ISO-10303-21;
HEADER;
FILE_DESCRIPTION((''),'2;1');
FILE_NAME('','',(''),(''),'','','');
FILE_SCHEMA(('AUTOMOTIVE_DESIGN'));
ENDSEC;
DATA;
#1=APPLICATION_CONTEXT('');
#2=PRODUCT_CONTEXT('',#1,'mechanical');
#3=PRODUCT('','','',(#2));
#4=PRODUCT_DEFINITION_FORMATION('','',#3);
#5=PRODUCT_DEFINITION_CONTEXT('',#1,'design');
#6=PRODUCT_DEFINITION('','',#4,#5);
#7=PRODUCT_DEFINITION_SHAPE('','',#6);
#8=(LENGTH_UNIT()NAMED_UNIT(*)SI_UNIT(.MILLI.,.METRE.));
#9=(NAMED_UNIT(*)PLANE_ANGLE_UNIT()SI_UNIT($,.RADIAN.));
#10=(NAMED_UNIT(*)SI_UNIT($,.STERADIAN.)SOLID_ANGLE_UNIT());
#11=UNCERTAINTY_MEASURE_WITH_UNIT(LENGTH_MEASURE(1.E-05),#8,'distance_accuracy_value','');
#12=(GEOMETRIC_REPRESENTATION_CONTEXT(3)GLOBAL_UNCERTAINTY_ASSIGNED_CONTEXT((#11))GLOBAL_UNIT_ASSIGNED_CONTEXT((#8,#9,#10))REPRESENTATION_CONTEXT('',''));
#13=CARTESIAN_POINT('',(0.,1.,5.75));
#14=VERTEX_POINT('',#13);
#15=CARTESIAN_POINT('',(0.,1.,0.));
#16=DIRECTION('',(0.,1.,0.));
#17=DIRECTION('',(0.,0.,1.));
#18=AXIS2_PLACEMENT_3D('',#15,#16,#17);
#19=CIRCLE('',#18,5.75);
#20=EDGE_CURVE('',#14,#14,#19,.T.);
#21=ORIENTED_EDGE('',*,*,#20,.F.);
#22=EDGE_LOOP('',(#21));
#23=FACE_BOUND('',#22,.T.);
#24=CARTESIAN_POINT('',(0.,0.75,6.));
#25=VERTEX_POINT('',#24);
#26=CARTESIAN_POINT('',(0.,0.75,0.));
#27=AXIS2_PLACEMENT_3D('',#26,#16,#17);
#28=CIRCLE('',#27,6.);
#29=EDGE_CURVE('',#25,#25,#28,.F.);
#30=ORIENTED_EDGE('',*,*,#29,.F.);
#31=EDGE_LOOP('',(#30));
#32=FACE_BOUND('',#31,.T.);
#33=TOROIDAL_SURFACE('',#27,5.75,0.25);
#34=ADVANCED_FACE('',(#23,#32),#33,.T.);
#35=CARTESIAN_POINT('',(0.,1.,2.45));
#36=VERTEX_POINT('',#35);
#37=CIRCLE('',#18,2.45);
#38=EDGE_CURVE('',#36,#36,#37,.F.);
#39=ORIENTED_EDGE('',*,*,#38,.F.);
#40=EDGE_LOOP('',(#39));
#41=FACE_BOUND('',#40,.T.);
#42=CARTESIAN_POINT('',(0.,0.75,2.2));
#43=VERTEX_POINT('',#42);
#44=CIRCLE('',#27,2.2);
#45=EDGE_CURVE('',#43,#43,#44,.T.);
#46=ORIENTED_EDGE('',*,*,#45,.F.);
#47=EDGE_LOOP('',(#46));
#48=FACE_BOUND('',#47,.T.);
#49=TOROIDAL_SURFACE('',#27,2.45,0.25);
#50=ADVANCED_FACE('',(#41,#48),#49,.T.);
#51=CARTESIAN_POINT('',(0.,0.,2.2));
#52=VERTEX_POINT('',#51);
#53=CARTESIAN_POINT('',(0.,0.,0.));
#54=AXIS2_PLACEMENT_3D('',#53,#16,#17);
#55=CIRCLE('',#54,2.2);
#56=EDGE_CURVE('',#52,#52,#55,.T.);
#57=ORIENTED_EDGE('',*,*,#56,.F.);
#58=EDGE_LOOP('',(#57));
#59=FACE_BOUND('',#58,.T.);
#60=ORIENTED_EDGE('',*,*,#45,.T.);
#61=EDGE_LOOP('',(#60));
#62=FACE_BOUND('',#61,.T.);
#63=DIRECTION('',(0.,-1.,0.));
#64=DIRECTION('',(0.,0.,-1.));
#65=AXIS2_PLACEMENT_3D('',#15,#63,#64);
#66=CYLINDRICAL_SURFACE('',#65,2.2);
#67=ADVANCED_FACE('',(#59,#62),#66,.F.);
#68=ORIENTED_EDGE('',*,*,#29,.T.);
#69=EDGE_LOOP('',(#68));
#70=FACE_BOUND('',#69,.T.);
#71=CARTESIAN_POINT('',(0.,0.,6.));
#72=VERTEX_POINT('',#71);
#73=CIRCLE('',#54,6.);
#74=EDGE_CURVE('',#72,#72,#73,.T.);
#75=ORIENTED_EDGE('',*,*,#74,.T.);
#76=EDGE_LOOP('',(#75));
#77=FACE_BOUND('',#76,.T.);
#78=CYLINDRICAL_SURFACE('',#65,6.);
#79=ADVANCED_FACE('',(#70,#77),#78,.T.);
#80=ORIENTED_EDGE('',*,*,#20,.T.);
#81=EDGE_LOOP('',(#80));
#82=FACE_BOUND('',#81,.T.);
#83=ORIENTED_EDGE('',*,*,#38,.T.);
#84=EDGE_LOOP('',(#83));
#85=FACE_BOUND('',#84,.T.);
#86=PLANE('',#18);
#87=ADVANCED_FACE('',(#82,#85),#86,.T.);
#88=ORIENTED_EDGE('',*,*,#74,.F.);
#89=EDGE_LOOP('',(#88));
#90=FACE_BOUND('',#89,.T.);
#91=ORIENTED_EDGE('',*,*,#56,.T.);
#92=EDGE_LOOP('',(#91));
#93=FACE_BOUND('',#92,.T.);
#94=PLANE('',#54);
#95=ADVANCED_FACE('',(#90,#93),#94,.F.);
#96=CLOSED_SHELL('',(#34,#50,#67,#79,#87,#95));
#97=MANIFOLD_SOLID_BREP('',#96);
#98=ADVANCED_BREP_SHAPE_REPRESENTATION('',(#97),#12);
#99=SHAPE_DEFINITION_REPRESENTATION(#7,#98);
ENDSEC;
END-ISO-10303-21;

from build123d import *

# Parameters (mm, degrees)
SZKIC1_R                    = 6
SZKIC1_R_2                  = 2.2
DODANIE_WYCI_GNI_CIE1_DEPTH = 1
ZAOKR_GLENIE1_R             = 0.25


with BuildPart() as part:
    # Szkic1 → Dodanie-wyciągnięcie1 (new body)
    with BuildSketch(Plane(origin=(0, 0, 0), x_dir=(1, 0, 0), z_dir=(0, 1, 0))):
        with Locations(Location((0, 0, 0), (0, 0, 270))):
            Circle(SZKIC1_R)
        with Locations(Location((0, 0, 0), (0, 0, 270))):
            Circle(SZKIC1_R_2, mode=Mode.SUBTRACT)
    extrude(amount=DODANIE_WYCI_GNI_CIE1_DEPTH)

    # Zaokrąglenie1
    zaokr_glenie1_edges = [part.edges().sort_by_distance(p)[0] for p in [
        (0, 1, -6),
        (0, 1, -2.2),
    ]]
    fillet(zaokr_glenie1_edges, radius=ZAOKR_GLENIE1_R)


solid = part.part
